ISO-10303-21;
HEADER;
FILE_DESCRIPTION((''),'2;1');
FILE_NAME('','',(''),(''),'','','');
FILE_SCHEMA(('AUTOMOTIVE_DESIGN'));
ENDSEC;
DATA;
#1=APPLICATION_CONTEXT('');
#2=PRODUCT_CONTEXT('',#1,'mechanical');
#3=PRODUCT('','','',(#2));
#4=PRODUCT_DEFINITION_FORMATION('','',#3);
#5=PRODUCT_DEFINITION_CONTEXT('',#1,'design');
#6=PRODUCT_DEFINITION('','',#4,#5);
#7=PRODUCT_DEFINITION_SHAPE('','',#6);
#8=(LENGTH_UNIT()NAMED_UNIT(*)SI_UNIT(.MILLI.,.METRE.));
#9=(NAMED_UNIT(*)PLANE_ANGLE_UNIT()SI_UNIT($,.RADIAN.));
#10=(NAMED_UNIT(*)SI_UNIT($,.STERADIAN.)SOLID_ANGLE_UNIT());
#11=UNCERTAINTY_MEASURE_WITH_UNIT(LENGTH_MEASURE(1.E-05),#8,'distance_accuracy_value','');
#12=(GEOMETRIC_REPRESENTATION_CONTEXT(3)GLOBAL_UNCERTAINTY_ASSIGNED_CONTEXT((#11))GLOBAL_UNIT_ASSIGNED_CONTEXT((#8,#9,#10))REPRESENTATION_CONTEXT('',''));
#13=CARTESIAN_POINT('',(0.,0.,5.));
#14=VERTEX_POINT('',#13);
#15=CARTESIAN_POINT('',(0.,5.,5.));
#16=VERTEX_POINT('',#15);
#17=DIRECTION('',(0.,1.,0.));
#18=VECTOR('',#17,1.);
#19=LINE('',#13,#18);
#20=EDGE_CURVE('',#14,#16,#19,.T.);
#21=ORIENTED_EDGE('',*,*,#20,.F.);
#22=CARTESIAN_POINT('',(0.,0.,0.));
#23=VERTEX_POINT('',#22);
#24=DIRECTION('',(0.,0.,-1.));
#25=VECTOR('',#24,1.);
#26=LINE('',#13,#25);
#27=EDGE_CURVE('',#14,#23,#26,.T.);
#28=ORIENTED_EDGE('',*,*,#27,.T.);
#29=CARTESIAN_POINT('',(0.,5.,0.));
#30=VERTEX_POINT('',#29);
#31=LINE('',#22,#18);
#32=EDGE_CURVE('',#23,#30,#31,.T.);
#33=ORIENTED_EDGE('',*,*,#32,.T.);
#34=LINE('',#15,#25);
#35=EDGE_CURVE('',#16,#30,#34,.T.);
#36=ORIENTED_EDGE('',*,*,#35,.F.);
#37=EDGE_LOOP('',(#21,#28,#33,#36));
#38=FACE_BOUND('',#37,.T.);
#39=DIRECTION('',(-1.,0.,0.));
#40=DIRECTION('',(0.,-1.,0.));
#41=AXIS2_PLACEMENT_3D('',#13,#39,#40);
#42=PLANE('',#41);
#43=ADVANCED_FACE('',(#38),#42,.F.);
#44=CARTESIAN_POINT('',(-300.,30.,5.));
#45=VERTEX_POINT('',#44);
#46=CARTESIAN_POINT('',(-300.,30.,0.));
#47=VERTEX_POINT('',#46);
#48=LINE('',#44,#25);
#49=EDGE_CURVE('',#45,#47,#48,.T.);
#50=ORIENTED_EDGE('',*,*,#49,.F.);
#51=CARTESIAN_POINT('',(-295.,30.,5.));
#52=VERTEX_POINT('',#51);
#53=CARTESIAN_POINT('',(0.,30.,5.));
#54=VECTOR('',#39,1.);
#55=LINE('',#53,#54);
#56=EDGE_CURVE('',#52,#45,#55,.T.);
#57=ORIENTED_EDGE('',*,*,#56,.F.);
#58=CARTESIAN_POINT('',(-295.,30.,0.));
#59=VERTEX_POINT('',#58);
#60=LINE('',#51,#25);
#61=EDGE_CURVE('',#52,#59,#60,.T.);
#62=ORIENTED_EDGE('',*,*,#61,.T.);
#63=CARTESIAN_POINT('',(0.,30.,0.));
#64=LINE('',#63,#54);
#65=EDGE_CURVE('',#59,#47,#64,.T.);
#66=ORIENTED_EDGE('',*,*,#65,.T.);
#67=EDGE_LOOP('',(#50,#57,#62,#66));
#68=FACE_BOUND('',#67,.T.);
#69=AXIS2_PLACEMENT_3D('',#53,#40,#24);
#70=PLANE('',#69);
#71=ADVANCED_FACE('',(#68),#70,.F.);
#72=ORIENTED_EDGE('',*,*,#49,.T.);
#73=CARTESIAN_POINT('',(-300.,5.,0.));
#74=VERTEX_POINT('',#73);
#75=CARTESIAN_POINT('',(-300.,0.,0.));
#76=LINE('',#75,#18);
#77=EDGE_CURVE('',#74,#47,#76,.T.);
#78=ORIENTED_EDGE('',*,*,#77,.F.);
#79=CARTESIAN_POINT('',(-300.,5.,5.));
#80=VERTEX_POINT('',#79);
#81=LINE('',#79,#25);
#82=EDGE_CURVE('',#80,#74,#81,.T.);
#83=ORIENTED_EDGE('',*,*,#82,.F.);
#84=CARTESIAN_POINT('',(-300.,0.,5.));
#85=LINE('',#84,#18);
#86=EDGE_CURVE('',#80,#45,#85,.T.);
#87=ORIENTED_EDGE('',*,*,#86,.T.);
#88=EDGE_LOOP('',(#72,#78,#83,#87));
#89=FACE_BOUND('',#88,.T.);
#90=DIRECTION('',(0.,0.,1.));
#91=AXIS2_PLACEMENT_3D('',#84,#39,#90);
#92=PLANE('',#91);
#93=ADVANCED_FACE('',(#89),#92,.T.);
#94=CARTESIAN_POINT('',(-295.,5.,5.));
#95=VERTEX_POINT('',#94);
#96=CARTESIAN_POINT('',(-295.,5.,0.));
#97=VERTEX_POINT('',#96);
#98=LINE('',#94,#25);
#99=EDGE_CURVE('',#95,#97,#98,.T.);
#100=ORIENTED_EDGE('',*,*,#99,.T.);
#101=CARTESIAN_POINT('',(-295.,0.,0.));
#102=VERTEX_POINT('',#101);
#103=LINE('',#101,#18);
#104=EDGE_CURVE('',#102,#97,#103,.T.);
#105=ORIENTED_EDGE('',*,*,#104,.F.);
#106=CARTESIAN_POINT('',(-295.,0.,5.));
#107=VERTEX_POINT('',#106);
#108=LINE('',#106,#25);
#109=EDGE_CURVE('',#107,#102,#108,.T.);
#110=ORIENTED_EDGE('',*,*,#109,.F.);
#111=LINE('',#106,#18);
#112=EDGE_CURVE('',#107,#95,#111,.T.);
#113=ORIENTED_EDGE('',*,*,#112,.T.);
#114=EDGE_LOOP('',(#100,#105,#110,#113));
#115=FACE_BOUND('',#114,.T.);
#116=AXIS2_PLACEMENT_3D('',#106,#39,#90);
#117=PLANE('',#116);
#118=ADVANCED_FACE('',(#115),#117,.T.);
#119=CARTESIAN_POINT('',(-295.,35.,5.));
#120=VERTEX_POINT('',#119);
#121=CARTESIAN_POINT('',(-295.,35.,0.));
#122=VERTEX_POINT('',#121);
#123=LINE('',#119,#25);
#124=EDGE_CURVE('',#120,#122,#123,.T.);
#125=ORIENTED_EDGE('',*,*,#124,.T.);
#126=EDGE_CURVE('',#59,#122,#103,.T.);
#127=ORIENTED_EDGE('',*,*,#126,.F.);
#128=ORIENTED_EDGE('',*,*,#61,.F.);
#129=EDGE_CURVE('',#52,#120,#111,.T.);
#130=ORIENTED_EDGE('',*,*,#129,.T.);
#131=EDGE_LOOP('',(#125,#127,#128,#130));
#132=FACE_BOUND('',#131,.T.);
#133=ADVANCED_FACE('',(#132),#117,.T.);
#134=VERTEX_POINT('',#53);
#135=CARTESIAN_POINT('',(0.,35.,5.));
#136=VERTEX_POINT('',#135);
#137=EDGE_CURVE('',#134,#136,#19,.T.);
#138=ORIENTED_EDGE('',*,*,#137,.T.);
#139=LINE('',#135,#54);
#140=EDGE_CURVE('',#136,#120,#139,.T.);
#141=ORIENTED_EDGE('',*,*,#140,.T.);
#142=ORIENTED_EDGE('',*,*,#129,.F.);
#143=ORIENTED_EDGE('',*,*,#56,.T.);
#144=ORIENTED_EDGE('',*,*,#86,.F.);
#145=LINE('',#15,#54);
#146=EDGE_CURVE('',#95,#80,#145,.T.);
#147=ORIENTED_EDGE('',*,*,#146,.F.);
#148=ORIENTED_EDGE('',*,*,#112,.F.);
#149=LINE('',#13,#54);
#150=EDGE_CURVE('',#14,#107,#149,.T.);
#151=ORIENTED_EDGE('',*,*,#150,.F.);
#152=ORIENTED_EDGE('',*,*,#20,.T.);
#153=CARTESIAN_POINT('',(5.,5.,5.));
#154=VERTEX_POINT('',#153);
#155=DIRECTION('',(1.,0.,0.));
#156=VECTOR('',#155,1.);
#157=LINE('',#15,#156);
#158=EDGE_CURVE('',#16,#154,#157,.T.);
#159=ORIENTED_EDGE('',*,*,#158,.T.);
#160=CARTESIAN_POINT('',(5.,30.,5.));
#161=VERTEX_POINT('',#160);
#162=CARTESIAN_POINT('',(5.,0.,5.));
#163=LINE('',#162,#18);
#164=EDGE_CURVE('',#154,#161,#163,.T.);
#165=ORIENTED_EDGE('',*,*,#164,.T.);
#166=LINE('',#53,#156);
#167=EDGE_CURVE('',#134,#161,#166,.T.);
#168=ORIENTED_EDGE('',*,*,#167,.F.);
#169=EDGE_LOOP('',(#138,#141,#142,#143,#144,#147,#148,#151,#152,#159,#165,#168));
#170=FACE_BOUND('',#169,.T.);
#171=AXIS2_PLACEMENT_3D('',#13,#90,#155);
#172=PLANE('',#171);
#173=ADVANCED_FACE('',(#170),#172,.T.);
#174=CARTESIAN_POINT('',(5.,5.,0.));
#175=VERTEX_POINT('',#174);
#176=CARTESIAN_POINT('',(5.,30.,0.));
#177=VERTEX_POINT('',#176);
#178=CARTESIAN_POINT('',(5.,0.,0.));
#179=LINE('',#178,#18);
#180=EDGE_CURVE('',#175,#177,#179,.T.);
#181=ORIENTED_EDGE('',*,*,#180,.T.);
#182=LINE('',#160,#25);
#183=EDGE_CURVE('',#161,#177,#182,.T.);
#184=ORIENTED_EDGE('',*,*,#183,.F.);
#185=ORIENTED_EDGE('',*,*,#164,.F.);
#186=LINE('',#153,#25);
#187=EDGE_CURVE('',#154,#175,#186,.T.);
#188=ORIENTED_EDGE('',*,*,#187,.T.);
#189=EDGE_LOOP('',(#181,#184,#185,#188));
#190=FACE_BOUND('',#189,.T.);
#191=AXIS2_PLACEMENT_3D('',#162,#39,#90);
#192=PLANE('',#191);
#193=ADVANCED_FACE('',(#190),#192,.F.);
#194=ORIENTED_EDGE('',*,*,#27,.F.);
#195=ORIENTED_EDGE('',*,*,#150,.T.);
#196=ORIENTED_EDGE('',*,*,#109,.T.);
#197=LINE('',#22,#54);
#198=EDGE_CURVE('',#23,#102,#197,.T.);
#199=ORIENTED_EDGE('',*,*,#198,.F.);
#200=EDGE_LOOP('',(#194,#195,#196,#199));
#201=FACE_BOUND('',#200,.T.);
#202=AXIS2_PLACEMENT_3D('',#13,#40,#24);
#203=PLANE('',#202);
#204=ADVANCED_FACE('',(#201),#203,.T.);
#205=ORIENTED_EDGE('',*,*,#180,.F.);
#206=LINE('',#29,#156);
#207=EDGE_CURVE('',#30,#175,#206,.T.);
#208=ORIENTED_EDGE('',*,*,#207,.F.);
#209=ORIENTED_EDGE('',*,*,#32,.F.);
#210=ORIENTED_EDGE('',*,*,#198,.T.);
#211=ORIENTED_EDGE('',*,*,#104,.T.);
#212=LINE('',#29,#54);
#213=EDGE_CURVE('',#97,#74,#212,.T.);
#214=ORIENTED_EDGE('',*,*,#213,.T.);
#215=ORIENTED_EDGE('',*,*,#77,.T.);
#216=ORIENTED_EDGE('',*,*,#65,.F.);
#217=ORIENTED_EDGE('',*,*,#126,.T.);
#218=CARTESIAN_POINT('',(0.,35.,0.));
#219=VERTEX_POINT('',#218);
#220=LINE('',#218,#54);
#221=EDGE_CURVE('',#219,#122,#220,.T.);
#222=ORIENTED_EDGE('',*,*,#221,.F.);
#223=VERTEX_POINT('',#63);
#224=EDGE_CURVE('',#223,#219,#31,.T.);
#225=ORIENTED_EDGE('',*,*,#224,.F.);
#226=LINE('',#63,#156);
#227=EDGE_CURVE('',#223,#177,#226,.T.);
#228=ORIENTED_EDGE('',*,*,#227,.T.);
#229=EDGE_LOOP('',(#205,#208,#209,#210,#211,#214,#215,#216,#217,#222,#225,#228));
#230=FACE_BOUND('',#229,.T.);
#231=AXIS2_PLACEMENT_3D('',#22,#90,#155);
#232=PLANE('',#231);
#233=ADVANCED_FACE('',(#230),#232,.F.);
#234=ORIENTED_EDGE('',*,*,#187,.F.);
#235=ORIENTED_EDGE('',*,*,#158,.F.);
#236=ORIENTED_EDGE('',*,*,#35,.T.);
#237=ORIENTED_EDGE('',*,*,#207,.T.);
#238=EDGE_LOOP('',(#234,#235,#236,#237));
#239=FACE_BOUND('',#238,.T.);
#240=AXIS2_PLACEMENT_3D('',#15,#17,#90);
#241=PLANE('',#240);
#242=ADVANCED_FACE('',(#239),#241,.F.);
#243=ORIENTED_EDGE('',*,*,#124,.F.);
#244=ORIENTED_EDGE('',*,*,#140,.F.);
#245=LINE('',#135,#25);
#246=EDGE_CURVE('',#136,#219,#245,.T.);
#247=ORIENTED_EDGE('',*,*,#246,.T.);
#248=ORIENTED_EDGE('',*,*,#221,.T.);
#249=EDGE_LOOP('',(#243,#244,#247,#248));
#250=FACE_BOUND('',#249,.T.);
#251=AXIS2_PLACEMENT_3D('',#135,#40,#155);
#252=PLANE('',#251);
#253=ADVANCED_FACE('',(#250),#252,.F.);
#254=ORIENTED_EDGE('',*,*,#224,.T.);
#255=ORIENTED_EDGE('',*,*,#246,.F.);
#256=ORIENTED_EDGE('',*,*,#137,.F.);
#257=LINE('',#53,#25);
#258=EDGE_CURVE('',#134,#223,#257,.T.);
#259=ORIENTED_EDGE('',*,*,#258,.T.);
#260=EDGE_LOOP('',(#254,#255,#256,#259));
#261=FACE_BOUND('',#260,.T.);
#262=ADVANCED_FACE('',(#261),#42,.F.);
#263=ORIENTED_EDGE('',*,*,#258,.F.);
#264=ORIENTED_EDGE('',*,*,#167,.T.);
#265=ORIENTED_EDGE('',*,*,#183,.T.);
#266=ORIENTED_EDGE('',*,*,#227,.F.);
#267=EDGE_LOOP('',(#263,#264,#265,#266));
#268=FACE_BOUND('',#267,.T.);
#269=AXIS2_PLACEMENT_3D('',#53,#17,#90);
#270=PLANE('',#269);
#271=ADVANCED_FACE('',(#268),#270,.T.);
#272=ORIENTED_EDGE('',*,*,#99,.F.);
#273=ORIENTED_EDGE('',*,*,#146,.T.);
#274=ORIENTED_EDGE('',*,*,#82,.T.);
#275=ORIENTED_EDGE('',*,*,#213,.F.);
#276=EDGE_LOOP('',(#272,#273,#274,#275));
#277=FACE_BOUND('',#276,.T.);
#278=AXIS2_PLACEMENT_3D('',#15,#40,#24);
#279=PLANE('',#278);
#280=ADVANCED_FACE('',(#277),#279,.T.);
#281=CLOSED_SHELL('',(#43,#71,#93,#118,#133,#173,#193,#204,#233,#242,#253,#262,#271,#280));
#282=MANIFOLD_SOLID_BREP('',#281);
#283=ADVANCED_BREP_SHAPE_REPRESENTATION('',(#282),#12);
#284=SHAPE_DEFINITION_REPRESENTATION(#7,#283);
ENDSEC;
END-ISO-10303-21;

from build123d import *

# Parameters (mm, degrees)
SKETCH1_W           = 295
SKETCH1_H           = 35
SKETCH1_W_2         = 5
SKETCH1_H_2         = 25
BOSS_EXTRUDE1_DEPTH = 5


with BuildPart() as part:
    # Sketch1 → Boss-Extrude1 (new body)
    with BuildSketch(Plane.XY):
        with Locations((-147.5, 17.5)):
            Rectangle(SKETCH1_W, SKETCH1_H)
        with Locations((-297.5, 17.5)):
            Rectangle(SKETCH1_W_2, SKETCH1_H_2)
        with Locations((2.5, 17.5)):
            Rectangle(SKETCH1_W_2, SKETCH1_H_2)
    extrude(amount=BOSS_EXTRUDE1_DEPTH)


solid = part.part
